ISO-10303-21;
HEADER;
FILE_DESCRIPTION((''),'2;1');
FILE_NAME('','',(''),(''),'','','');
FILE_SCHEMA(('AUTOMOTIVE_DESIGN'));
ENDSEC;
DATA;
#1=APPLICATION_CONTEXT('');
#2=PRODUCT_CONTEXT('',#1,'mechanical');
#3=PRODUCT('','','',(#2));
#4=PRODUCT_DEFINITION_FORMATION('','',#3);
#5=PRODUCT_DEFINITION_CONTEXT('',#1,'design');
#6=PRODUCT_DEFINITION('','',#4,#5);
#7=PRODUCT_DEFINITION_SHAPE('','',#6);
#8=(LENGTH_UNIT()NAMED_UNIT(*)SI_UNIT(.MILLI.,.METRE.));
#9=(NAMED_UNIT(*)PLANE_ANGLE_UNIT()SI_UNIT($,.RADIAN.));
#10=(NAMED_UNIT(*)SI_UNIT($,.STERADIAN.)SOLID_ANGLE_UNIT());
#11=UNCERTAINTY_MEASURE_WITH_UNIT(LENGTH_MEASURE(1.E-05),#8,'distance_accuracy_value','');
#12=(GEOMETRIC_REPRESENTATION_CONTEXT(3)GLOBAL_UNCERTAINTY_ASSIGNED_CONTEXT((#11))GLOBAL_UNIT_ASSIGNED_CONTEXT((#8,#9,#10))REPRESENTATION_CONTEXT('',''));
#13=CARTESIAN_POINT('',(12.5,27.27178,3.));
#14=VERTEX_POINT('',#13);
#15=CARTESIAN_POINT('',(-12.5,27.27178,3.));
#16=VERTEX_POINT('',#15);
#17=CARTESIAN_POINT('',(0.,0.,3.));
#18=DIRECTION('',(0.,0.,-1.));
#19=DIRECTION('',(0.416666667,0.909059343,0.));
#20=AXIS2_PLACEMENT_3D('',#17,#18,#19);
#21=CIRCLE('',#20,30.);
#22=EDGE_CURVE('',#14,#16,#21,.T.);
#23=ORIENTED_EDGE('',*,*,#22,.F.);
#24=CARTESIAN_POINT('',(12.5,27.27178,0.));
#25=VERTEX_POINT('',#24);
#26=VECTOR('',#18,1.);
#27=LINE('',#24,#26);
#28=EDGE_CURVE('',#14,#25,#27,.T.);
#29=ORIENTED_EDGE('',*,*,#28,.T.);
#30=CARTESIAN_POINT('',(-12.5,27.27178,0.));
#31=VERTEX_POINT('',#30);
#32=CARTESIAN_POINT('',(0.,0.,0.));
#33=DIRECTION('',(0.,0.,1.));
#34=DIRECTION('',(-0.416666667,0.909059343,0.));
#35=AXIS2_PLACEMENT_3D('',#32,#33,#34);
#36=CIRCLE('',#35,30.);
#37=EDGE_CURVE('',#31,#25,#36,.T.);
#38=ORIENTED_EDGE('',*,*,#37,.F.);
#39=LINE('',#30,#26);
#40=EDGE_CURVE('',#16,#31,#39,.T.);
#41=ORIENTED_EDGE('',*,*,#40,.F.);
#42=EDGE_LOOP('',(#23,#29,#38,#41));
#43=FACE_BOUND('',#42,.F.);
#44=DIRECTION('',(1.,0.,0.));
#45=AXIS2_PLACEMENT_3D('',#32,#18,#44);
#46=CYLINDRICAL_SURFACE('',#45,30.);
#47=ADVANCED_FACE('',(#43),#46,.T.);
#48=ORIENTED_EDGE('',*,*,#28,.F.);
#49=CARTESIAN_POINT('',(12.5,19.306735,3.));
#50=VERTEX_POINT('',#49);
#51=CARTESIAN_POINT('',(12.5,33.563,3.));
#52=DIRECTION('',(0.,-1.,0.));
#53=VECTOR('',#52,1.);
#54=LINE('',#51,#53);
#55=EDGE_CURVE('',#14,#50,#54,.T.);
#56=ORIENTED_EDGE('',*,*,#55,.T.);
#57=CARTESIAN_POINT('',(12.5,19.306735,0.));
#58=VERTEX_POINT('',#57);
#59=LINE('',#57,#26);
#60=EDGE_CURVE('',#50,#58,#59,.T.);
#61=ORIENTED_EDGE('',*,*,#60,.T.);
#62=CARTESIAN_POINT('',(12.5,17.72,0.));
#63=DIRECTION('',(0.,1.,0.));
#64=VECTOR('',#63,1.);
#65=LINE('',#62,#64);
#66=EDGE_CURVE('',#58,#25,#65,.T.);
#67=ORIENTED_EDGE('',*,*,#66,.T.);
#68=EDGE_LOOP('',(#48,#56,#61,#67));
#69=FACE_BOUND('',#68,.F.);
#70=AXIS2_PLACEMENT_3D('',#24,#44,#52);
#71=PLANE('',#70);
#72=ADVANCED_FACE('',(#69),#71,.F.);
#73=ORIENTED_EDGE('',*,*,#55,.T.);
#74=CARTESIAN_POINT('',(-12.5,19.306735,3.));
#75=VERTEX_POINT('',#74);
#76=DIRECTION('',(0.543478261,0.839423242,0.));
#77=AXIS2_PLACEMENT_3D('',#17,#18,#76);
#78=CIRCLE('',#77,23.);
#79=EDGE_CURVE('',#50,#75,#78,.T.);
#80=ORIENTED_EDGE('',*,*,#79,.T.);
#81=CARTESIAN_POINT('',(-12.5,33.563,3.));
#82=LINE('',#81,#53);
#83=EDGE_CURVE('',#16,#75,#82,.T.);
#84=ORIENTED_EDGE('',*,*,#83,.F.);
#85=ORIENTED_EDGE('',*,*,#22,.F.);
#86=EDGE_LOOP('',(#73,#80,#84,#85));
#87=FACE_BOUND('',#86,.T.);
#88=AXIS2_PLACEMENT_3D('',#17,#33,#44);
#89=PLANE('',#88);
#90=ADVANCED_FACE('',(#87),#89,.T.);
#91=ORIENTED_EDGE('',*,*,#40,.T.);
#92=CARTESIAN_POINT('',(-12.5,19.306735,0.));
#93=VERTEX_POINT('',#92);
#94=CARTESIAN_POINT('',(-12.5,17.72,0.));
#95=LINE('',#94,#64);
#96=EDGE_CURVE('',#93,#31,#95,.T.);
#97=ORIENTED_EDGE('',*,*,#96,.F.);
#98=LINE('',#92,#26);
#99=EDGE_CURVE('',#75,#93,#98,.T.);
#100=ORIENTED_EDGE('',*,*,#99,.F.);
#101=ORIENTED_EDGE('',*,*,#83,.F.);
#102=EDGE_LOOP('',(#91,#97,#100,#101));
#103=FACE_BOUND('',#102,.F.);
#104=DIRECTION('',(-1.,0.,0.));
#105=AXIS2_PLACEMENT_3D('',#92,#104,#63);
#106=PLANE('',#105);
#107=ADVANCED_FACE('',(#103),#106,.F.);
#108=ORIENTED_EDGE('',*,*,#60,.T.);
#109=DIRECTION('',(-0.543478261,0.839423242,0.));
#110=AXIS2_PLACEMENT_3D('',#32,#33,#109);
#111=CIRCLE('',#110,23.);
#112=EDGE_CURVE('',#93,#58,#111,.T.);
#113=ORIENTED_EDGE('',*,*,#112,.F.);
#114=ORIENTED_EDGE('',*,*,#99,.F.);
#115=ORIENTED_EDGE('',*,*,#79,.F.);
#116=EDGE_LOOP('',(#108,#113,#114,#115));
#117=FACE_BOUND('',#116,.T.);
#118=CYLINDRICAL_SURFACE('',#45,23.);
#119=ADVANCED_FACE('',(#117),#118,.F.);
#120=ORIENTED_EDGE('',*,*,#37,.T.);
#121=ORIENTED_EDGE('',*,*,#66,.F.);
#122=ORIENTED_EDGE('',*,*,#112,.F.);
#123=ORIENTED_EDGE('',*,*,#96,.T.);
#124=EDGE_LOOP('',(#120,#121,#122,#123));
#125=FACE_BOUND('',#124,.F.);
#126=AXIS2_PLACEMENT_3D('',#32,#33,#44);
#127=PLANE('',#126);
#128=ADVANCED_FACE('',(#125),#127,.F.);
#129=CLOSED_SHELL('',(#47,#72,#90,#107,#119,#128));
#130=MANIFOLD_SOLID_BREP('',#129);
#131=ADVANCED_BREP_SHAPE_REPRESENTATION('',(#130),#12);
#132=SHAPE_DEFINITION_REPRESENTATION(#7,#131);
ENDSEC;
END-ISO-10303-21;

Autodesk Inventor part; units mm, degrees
ref_plane "YZ Plane" through (0, 0, 0) normal (1, 0, 0) x (0, 1, 0)
ref_plane "XZ Plane" through (0, 0, 0) normal (0, 1, 0) x (-1, 0, 0)
ref_plane "XY Plane" through (0, 0, 0) normal (0, 0, 1) x (1, 0, 0)
sketch "Sketch1" plane through (0, 0, 0) normal (0, 0, 1) x (1, 0, 0)
  circle A0 centre (0, 0) radius 30
  circle A1 centre (0, 0) radius 23
  line L0 (-12.5, 33.563) -> (12.5, 33.563)
  line L1 (12.5, 33.563) -> (12.5, 17.72)
  line L2 (12.5, 17.72) -> (-12.5, 17.72)
  line L3 (-12.5, 17.72) -> (-12.5, 33.563)
  point P0 (0, 33.563)
  dimension "d0" = 60
  dimension "d1" = 7
  dimension "d4" = 25
extrude "Extrusion1" add sketch "Sketch1" along normal blind 3 contours A0 L3 A1 L1 | L1 A1 L3 A0
extrude "Extrusion2" cut sketch "Sketch1" along normal blind 3 contours L1 A1 L3 A0 | A0 L3 L0 L1 | L1 L2 L3 A1 picked at (8.89, 26.0762) picked at (0.8791, 19.4294)
properties part number "ServoHornLayer"
